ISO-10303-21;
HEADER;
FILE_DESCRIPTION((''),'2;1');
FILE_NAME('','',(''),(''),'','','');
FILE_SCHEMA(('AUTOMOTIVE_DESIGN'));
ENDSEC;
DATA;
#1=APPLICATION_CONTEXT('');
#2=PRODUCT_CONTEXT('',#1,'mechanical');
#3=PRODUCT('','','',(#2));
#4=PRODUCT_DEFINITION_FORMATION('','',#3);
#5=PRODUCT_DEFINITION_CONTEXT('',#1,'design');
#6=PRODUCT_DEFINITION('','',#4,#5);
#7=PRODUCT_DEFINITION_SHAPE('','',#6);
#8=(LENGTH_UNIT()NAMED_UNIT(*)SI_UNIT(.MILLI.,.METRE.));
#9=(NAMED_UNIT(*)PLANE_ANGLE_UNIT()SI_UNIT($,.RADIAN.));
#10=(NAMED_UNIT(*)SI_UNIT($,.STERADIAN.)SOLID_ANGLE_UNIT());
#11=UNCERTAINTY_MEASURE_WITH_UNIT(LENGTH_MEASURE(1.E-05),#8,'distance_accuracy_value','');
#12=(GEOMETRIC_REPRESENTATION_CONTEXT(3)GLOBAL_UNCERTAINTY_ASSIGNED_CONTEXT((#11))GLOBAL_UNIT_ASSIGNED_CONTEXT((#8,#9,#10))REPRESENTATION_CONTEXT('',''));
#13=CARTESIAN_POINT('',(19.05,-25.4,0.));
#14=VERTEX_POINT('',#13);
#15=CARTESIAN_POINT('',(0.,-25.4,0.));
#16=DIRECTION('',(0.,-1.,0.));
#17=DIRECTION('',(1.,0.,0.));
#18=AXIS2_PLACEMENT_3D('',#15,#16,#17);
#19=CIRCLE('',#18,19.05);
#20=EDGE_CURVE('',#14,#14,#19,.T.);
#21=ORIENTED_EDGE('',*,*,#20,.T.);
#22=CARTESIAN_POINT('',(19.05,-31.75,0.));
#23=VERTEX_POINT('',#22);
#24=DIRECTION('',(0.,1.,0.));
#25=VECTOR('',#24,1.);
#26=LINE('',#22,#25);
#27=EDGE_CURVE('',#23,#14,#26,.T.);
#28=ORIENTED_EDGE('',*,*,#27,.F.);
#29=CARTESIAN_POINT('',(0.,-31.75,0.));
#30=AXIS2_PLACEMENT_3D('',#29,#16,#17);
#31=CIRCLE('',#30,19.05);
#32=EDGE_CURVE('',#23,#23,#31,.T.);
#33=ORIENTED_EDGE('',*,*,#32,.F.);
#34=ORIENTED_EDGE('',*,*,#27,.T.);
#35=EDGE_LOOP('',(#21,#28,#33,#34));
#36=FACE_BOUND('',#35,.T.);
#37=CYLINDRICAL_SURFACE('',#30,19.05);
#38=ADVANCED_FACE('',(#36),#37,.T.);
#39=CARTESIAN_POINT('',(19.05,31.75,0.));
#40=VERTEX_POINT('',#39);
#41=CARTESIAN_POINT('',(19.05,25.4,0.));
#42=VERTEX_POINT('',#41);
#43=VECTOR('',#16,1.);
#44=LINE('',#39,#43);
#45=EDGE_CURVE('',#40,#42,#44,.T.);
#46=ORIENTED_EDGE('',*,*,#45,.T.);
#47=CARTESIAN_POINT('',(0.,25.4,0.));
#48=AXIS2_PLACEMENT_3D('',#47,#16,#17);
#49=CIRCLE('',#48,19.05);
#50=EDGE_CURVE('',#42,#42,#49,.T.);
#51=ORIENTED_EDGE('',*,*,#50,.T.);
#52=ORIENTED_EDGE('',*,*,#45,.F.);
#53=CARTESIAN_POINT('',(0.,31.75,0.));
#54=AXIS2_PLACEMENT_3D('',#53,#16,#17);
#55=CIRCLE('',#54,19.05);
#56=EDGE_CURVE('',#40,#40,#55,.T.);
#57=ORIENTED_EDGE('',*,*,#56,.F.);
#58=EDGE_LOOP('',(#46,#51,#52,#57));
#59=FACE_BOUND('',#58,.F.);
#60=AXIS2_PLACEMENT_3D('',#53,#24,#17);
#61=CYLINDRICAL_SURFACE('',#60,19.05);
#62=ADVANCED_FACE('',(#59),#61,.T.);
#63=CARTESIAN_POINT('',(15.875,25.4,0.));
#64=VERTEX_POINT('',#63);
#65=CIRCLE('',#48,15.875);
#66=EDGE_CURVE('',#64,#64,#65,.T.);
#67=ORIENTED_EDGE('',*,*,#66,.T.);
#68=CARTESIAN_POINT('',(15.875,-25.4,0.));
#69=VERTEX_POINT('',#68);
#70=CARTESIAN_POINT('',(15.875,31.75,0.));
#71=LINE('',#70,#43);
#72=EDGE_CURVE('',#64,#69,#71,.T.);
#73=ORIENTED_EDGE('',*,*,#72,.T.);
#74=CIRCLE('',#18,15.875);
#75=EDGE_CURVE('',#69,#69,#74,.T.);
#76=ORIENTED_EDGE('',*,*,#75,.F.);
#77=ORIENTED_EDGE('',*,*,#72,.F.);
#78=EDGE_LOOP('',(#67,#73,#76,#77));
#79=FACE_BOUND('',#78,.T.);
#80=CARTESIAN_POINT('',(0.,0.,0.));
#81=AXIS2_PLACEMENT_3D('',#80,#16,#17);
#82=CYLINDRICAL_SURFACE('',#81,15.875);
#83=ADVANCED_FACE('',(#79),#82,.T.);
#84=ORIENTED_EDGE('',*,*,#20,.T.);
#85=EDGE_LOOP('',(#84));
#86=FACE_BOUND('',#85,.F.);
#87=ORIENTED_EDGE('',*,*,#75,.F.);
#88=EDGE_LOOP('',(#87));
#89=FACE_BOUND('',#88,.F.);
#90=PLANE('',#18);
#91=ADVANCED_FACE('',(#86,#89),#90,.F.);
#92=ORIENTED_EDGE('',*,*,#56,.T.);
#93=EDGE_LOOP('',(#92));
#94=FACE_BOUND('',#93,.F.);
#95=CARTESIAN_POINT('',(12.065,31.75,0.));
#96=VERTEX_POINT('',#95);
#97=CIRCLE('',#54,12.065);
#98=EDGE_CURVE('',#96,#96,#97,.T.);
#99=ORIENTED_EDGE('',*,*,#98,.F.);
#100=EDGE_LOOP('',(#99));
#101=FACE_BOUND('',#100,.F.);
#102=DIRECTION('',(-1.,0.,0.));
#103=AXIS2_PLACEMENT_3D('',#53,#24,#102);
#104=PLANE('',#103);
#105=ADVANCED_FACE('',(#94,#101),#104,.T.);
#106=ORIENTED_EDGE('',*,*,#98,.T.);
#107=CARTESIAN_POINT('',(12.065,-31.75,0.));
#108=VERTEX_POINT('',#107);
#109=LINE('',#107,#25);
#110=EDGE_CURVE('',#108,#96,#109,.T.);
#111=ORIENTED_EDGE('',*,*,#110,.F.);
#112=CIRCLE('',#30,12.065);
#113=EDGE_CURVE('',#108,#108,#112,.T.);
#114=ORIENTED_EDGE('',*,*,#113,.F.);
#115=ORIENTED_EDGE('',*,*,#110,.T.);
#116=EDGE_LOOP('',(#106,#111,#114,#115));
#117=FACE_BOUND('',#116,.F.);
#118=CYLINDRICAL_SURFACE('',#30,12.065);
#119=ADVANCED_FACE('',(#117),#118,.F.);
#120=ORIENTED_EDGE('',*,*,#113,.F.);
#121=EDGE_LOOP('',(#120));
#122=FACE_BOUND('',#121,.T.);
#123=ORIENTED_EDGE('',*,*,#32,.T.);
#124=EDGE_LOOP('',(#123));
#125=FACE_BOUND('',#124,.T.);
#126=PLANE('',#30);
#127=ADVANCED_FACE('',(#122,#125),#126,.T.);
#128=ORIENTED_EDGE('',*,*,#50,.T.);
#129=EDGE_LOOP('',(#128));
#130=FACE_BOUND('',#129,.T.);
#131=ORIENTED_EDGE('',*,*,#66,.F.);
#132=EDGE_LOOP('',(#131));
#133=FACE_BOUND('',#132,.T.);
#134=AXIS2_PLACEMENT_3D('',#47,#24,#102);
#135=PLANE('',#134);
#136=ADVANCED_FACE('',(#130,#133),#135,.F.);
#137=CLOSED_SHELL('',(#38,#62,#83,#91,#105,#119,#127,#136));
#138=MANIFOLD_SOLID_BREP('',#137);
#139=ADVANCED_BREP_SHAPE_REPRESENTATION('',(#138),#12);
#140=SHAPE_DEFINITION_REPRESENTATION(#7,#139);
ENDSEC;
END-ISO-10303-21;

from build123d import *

# Parameters (mm, degrees)
F0_R     = 15.875
F1_DEPTH = 31.75
F2_R     = 19.05
F2_R_2   = 15.875
F3_DEPTH = 6.35
F5_R     = 12.065
F6_DEPTH = 63.501


with BuildPart() as f1:
    # F0 (on Front) → F1 (new body, symmetric)
    with BuildSketch(Plane.XZ):
        Circle(F0_R)
    extrude(amount=F1_DEPTH, both=True)

    # F2 (on face) → F3 (join)
    with BuildSketch(Plane.XZ.offset(31.75)):
        Circle(F2_R)
        Circle(F2_R_2, mode=Mode.SUBTRACT)
    extrude(amount=-F3_DEPTH)

    # F4: F1 across plane


with BuildPart() as f1_1:
    add(f1.part)
    add(f1.part.mirror(Plane.XZ))

    # F5 (on face) → F6 (cut, through all)
    with BuildSketch(Plane.XZ.offset(31.75)):
        Circle(F5_R)
    extrude(amount=-F6_DEPTH, mode=Mode.SUBTRACT)


solid = f1_1.part
